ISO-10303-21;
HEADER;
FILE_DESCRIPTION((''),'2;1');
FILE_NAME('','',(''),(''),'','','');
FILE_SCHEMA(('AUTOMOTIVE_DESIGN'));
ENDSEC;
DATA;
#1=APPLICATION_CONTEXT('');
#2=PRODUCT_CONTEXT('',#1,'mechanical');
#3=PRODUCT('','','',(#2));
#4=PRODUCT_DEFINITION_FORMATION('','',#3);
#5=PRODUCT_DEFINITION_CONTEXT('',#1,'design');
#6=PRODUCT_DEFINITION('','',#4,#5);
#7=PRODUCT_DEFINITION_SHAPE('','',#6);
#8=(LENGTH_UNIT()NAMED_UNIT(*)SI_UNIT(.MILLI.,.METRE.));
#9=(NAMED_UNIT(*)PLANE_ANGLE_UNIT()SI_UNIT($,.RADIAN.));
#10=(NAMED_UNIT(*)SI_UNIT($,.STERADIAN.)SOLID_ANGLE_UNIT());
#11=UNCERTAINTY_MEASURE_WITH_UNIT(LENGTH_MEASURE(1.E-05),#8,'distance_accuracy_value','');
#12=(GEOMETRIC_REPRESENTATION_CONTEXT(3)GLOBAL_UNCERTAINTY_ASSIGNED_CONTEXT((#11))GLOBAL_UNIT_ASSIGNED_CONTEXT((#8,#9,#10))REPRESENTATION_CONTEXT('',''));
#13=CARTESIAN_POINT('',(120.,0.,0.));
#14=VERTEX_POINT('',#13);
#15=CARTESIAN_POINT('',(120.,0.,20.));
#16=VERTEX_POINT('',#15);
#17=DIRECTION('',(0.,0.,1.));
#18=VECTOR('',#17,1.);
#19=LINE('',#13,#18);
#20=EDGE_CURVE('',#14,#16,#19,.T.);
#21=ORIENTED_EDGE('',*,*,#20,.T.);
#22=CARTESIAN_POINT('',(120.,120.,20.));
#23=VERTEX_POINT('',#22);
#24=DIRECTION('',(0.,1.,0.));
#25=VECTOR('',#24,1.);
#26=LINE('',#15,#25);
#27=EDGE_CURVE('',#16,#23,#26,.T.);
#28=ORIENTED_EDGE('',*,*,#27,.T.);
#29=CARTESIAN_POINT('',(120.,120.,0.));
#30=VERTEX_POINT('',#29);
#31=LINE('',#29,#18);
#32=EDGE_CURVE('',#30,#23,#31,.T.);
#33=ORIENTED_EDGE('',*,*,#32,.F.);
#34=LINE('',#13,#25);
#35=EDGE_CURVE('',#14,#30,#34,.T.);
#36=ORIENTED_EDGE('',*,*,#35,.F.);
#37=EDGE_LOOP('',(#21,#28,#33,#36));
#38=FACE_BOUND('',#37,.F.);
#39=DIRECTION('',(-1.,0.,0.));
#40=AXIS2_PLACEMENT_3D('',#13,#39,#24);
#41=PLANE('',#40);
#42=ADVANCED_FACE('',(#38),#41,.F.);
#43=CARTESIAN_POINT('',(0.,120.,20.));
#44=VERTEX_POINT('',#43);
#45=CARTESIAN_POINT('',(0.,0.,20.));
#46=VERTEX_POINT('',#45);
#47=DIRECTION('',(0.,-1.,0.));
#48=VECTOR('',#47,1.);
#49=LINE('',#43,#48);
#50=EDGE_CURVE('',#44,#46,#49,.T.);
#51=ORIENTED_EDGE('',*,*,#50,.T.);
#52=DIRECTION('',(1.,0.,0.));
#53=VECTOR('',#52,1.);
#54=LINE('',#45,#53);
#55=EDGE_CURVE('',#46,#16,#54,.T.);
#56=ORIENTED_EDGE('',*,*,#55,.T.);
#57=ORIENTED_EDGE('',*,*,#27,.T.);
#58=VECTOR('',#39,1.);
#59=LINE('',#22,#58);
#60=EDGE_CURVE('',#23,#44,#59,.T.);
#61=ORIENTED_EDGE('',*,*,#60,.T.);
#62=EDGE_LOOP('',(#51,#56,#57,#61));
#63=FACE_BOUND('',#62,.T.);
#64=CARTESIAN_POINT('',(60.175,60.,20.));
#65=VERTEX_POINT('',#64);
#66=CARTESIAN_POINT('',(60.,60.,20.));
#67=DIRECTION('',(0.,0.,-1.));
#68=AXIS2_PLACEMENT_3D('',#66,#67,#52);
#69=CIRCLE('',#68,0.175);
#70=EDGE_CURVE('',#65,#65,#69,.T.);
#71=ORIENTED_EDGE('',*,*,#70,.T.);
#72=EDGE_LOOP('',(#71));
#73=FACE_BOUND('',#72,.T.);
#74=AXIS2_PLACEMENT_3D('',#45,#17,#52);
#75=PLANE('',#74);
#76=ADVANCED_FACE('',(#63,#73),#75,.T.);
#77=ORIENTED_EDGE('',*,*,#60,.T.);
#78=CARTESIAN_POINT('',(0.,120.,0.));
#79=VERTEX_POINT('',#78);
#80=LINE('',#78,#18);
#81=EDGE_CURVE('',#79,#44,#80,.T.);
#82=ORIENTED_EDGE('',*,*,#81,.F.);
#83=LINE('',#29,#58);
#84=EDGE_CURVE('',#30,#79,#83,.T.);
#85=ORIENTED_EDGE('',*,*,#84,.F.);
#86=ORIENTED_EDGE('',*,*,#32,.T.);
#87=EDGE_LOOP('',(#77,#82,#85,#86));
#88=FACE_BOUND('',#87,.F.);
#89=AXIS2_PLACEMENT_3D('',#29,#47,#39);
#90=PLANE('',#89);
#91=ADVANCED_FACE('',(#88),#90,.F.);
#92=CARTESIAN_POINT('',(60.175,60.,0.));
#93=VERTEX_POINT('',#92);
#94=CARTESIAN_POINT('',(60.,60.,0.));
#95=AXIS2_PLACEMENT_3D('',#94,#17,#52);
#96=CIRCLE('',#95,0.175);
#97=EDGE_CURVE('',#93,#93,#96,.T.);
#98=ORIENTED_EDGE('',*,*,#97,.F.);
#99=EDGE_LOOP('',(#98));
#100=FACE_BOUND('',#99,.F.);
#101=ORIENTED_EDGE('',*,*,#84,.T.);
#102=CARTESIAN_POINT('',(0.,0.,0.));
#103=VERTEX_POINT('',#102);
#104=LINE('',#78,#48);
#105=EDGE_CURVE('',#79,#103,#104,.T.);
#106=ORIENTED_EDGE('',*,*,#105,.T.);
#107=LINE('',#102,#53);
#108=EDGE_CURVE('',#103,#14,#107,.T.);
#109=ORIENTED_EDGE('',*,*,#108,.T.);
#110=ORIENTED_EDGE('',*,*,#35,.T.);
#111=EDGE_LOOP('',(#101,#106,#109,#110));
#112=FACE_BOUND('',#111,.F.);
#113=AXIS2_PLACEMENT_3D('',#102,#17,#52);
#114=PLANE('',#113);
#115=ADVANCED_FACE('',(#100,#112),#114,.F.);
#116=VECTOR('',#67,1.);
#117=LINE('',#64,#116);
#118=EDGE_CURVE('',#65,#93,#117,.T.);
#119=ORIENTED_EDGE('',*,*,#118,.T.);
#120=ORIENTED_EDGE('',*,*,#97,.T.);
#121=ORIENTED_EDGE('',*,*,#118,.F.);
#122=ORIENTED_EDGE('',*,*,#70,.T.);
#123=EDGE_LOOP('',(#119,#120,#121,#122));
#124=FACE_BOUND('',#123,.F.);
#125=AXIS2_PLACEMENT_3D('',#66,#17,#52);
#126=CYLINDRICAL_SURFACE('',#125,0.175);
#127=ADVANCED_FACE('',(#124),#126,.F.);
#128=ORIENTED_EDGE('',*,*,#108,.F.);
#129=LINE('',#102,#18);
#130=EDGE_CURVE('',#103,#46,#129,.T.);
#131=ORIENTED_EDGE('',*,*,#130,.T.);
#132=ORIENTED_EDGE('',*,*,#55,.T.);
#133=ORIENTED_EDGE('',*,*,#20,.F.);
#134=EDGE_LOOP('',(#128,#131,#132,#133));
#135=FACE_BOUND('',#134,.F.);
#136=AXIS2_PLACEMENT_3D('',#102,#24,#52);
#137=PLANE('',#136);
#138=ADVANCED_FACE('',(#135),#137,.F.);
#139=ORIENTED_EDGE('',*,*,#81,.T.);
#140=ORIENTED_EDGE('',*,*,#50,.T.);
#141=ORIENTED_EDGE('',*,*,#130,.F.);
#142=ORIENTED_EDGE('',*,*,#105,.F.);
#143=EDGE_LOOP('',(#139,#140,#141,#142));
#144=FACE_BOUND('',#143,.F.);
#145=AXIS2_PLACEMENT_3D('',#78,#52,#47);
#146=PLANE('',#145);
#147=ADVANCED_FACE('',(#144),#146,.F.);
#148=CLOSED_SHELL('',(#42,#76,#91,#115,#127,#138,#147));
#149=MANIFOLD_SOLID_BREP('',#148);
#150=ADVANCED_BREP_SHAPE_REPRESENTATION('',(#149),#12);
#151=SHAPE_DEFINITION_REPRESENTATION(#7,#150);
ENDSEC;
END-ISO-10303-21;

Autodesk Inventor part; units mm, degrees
ref_plane "YZ Plane" through (0, 0, 0) normal (1, 0, 0) x (0, 1, 0)
ref_plane "XZ Plane" through (0, 0, 0) normal (0, 1, 0) x (-1, 0, 0)
ref_plane "XY Plane" through (0, 0, 0) normal (0, 0, 1) x (1, 0, 0)
sketch "Sketch1" plane through (0, 0, 0) normal (0, 0, 1) x (1, 0, 0)
  line L0 (0, 0) -> (120, 0)
  line L1 (120, 0) -> (120, 120)
  line L2 (120, 120) -> (0, 120)
  line L3 (0, 120) -> (0, 0)
  dimension "d0" = 120
  dimension "d1" = 120
extrude "Extrusion1" add sketch "Sketch1" along normal blind 20
sketch "Sketch2" plane through (0, 0, 20) normal (0, 0, 1) x (1, 0, 0)
  line L0 (0, 120) -> (0, 0) projected
  line L1 (0, 60) -> (60, 60)
  circle A0 centre (60, 60) radius 0.175
  circle A1 centre (60, 60) radius 0.175
  dimension "d4" = 60
  dimension "d5" = 0.35
  dimension "d6" = 0.35
extrude "Extrusion2" cut sketch "Sketch2" against normal through all
properties part number "BASE FOR IR"
